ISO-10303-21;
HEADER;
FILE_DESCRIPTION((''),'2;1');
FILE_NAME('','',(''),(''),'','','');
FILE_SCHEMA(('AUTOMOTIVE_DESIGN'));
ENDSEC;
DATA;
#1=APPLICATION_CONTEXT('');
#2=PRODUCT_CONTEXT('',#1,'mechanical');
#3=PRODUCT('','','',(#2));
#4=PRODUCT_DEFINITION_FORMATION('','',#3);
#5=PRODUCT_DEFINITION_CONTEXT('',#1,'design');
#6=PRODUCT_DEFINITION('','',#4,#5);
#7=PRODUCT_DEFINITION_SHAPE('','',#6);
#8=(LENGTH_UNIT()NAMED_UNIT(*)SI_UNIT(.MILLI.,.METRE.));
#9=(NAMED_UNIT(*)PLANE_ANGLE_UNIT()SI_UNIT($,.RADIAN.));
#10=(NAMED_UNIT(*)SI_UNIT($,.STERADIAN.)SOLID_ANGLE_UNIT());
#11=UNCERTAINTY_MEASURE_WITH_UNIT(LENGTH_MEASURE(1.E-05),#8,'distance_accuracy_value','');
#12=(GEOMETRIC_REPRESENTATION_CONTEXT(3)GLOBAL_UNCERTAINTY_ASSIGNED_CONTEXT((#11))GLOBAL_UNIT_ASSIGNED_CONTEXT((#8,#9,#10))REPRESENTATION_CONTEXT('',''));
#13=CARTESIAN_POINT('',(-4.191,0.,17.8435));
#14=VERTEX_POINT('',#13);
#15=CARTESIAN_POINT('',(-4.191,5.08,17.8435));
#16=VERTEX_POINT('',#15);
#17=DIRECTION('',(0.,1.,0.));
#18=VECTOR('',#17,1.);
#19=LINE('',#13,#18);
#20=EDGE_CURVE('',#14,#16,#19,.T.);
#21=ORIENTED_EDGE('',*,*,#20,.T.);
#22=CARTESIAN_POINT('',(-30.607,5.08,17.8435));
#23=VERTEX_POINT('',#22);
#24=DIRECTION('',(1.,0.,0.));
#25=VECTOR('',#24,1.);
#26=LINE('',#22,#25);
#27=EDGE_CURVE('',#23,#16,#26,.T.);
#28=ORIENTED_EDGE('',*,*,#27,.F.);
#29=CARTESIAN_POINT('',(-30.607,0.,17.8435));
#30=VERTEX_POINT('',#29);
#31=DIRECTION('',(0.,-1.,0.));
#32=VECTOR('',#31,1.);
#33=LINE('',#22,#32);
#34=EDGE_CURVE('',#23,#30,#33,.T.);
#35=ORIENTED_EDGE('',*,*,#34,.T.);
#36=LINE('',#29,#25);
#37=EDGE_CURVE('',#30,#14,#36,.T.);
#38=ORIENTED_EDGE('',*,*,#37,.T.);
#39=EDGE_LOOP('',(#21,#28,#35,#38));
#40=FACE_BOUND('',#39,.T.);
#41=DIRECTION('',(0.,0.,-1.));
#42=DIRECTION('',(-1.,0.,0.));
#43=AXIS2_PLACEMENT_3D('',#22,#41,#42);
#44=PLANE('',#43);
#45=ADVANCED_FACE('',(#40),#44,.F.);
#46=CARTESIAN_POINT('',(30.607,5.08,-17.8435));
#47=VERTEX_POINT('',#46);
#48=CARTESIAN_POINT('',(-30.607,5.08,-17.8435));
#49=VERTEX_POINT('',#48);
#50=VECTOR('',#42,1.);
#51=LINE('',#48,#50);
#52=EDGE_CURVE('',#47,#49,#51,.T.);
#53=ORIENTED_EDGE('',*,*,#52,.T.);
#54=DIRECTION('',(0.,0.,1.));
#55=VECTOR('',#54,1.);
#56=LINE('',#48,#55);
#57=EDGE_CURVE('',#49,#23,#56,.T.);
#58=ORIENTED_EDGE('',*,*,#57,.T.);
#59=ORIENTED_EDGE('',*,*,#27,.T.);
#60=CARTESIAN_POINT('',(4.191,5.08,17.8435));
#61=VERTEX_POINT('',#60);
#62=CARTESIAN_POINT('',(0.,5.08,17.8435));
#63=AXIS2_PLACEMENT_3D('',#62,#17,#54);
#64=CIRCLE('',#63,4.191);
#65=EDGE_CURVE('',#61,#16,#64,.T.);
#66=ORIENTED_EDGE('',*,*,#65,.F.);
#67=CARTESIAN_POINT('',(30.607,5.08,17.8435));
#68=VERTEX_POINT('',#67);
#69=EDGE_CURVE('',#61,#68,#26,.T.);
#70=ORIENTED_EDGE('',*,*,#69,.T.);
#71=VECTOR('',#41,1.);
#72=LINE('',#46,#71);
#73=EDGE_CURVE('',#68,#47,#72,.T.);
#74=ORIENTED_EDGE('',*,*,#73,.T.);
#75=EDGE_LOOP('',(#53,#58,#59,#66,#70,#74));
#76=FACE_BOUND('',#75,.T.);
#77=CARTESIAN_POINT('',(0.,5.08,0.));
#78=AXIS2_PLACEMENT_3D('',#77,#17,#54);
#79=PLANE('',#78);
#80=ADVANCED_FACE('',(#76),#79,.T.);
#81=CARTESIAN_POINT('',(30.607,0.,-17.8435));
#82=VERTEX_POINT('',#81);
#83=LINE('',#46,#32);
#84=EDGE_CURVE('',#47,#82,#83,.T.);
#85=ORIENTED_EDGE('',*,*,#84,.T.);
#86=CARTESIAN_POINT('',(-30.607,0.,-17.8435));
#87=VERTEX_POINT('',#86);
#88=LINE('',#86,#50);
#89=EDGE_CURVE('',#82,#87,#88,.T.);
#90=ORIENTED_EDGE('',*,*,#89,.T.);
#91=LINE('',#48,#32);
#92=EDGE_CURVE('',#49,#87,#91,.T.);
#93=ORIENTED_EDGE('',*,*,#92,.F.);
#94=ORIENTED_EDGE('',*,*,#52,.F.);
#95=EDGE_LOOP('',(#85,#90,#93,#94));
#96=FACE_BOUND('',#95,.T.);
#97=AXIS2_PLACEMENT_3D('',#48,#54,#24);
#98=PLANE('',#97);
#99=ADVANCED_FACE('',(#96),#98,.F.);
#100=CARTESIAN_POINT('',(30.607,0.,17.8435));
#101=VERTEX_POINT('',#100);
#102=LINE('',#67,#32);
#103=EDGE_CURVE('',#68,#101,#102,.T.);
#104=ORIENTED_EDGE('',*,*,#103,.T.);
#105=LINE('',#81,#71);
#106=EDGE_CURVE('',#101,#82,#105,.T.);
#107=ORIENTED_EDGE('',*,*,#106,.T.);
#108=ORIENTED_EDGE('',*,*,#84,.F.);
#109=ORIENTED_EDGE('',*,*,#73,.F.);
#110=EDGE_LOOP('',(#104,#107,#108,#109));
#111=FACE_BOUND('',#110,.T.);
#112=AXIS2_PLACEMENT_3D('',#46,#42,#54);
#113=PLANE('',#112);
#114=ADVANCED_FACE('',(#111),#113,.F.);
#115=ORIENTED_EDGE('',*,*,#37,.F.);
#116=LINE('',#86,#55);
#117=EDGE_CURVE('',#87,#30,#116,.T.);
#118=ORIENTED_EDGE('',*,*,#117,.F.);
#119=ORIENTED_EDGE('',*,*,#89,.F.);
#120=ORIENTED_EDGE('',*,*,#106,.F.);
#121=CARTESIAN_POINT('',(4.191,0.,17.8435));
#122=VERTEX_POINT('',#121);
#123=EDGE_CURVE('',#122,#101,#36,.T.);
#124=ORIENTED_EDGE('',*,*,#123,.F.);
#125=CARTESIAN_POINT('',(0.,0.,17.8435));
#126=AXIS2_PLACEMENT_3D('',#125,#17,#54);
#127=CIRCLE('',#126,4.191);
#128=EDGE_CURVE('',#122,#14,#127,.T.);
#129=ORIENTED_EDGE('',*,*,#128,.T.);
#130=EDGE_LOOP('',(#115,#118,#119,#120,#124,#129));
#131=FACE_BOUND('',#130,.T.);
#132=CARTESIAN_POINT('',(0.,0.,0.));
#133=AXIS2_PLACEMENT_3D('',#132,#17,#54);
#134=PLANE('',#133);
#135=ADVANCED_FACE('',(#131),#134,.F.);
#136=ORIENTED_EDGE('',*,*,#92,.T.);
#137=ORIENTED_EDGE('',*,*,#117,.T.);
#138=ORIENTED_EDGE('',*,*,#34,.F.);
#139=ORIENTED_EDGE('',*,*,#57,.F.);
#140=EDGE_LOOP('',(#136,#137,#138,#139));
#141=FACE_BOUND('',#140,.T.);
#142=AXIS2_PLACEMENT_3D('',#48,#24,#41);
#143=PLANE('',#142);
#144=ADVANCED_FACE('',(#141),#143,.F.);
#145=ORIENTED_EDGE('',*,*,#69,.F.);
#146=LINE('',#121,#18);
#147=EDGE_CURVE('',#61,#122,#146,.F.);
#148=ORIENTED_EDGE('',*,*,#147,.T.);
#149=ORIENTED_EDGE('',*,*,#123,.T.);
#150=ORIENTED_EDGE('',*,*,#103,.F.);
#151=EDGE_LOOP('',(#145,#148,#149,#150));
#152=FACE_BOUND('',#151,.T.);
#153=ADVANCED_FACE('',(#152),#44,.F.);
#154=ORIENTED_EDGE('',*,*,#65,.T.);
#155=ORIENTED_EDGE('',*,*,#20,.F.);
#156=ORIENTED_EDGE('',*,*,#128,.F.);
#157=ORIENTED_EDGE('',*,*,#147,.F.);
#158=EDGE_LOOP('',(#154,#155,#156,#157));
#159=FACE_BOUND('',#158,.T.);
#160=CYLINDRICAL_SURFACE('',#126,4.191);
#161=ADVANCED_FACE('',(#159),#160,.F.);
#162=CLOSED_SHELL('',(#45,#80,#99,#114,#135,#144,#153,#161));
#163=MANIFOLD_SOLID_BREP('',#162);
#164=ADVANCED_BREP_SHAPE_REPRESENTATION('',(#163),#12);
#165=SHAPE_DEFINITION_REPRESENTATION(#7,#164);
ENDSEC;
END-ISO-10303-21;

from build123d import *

# Parameters (mm, degrees)
SKETCH1_W           = 61.214
SKETCH1_H           = 35.687
BOSS_EXTRUDE1_DEPTH = 5.08
SKETCH2_R           = 4.191
CUT_EXTRUDE1_DEPTH  = 6.08


with BuildPart() as part:
    # Sketch1 → Boss-Extrude1 (new body)
    with BuildSketch(Plane(origin=(0, 0, 0), x_dir=(1, 0, 0), z_dir=(0, 1, 0))):
        Rectangle(SKETCH1_W, SKETCH1_H)
    extrude(amount=BOSS_EXTRUDE1_DEPTH)

    # Sketch2 → Cut-Extrude1 (cut, through all)
    with BuildSketch(Plane(origin=(0, 5.08, 0), x_dir=(1, 0, 0), z_dir=(0, 1, 0))):
        with Locations((0, -17.8435)):
            Circle(SKETCH2_R)
    extrude(amount=-CUT_EXTRUDE1_DEPTH, mode=Mode.SUBTRACT)


solid = part.part
